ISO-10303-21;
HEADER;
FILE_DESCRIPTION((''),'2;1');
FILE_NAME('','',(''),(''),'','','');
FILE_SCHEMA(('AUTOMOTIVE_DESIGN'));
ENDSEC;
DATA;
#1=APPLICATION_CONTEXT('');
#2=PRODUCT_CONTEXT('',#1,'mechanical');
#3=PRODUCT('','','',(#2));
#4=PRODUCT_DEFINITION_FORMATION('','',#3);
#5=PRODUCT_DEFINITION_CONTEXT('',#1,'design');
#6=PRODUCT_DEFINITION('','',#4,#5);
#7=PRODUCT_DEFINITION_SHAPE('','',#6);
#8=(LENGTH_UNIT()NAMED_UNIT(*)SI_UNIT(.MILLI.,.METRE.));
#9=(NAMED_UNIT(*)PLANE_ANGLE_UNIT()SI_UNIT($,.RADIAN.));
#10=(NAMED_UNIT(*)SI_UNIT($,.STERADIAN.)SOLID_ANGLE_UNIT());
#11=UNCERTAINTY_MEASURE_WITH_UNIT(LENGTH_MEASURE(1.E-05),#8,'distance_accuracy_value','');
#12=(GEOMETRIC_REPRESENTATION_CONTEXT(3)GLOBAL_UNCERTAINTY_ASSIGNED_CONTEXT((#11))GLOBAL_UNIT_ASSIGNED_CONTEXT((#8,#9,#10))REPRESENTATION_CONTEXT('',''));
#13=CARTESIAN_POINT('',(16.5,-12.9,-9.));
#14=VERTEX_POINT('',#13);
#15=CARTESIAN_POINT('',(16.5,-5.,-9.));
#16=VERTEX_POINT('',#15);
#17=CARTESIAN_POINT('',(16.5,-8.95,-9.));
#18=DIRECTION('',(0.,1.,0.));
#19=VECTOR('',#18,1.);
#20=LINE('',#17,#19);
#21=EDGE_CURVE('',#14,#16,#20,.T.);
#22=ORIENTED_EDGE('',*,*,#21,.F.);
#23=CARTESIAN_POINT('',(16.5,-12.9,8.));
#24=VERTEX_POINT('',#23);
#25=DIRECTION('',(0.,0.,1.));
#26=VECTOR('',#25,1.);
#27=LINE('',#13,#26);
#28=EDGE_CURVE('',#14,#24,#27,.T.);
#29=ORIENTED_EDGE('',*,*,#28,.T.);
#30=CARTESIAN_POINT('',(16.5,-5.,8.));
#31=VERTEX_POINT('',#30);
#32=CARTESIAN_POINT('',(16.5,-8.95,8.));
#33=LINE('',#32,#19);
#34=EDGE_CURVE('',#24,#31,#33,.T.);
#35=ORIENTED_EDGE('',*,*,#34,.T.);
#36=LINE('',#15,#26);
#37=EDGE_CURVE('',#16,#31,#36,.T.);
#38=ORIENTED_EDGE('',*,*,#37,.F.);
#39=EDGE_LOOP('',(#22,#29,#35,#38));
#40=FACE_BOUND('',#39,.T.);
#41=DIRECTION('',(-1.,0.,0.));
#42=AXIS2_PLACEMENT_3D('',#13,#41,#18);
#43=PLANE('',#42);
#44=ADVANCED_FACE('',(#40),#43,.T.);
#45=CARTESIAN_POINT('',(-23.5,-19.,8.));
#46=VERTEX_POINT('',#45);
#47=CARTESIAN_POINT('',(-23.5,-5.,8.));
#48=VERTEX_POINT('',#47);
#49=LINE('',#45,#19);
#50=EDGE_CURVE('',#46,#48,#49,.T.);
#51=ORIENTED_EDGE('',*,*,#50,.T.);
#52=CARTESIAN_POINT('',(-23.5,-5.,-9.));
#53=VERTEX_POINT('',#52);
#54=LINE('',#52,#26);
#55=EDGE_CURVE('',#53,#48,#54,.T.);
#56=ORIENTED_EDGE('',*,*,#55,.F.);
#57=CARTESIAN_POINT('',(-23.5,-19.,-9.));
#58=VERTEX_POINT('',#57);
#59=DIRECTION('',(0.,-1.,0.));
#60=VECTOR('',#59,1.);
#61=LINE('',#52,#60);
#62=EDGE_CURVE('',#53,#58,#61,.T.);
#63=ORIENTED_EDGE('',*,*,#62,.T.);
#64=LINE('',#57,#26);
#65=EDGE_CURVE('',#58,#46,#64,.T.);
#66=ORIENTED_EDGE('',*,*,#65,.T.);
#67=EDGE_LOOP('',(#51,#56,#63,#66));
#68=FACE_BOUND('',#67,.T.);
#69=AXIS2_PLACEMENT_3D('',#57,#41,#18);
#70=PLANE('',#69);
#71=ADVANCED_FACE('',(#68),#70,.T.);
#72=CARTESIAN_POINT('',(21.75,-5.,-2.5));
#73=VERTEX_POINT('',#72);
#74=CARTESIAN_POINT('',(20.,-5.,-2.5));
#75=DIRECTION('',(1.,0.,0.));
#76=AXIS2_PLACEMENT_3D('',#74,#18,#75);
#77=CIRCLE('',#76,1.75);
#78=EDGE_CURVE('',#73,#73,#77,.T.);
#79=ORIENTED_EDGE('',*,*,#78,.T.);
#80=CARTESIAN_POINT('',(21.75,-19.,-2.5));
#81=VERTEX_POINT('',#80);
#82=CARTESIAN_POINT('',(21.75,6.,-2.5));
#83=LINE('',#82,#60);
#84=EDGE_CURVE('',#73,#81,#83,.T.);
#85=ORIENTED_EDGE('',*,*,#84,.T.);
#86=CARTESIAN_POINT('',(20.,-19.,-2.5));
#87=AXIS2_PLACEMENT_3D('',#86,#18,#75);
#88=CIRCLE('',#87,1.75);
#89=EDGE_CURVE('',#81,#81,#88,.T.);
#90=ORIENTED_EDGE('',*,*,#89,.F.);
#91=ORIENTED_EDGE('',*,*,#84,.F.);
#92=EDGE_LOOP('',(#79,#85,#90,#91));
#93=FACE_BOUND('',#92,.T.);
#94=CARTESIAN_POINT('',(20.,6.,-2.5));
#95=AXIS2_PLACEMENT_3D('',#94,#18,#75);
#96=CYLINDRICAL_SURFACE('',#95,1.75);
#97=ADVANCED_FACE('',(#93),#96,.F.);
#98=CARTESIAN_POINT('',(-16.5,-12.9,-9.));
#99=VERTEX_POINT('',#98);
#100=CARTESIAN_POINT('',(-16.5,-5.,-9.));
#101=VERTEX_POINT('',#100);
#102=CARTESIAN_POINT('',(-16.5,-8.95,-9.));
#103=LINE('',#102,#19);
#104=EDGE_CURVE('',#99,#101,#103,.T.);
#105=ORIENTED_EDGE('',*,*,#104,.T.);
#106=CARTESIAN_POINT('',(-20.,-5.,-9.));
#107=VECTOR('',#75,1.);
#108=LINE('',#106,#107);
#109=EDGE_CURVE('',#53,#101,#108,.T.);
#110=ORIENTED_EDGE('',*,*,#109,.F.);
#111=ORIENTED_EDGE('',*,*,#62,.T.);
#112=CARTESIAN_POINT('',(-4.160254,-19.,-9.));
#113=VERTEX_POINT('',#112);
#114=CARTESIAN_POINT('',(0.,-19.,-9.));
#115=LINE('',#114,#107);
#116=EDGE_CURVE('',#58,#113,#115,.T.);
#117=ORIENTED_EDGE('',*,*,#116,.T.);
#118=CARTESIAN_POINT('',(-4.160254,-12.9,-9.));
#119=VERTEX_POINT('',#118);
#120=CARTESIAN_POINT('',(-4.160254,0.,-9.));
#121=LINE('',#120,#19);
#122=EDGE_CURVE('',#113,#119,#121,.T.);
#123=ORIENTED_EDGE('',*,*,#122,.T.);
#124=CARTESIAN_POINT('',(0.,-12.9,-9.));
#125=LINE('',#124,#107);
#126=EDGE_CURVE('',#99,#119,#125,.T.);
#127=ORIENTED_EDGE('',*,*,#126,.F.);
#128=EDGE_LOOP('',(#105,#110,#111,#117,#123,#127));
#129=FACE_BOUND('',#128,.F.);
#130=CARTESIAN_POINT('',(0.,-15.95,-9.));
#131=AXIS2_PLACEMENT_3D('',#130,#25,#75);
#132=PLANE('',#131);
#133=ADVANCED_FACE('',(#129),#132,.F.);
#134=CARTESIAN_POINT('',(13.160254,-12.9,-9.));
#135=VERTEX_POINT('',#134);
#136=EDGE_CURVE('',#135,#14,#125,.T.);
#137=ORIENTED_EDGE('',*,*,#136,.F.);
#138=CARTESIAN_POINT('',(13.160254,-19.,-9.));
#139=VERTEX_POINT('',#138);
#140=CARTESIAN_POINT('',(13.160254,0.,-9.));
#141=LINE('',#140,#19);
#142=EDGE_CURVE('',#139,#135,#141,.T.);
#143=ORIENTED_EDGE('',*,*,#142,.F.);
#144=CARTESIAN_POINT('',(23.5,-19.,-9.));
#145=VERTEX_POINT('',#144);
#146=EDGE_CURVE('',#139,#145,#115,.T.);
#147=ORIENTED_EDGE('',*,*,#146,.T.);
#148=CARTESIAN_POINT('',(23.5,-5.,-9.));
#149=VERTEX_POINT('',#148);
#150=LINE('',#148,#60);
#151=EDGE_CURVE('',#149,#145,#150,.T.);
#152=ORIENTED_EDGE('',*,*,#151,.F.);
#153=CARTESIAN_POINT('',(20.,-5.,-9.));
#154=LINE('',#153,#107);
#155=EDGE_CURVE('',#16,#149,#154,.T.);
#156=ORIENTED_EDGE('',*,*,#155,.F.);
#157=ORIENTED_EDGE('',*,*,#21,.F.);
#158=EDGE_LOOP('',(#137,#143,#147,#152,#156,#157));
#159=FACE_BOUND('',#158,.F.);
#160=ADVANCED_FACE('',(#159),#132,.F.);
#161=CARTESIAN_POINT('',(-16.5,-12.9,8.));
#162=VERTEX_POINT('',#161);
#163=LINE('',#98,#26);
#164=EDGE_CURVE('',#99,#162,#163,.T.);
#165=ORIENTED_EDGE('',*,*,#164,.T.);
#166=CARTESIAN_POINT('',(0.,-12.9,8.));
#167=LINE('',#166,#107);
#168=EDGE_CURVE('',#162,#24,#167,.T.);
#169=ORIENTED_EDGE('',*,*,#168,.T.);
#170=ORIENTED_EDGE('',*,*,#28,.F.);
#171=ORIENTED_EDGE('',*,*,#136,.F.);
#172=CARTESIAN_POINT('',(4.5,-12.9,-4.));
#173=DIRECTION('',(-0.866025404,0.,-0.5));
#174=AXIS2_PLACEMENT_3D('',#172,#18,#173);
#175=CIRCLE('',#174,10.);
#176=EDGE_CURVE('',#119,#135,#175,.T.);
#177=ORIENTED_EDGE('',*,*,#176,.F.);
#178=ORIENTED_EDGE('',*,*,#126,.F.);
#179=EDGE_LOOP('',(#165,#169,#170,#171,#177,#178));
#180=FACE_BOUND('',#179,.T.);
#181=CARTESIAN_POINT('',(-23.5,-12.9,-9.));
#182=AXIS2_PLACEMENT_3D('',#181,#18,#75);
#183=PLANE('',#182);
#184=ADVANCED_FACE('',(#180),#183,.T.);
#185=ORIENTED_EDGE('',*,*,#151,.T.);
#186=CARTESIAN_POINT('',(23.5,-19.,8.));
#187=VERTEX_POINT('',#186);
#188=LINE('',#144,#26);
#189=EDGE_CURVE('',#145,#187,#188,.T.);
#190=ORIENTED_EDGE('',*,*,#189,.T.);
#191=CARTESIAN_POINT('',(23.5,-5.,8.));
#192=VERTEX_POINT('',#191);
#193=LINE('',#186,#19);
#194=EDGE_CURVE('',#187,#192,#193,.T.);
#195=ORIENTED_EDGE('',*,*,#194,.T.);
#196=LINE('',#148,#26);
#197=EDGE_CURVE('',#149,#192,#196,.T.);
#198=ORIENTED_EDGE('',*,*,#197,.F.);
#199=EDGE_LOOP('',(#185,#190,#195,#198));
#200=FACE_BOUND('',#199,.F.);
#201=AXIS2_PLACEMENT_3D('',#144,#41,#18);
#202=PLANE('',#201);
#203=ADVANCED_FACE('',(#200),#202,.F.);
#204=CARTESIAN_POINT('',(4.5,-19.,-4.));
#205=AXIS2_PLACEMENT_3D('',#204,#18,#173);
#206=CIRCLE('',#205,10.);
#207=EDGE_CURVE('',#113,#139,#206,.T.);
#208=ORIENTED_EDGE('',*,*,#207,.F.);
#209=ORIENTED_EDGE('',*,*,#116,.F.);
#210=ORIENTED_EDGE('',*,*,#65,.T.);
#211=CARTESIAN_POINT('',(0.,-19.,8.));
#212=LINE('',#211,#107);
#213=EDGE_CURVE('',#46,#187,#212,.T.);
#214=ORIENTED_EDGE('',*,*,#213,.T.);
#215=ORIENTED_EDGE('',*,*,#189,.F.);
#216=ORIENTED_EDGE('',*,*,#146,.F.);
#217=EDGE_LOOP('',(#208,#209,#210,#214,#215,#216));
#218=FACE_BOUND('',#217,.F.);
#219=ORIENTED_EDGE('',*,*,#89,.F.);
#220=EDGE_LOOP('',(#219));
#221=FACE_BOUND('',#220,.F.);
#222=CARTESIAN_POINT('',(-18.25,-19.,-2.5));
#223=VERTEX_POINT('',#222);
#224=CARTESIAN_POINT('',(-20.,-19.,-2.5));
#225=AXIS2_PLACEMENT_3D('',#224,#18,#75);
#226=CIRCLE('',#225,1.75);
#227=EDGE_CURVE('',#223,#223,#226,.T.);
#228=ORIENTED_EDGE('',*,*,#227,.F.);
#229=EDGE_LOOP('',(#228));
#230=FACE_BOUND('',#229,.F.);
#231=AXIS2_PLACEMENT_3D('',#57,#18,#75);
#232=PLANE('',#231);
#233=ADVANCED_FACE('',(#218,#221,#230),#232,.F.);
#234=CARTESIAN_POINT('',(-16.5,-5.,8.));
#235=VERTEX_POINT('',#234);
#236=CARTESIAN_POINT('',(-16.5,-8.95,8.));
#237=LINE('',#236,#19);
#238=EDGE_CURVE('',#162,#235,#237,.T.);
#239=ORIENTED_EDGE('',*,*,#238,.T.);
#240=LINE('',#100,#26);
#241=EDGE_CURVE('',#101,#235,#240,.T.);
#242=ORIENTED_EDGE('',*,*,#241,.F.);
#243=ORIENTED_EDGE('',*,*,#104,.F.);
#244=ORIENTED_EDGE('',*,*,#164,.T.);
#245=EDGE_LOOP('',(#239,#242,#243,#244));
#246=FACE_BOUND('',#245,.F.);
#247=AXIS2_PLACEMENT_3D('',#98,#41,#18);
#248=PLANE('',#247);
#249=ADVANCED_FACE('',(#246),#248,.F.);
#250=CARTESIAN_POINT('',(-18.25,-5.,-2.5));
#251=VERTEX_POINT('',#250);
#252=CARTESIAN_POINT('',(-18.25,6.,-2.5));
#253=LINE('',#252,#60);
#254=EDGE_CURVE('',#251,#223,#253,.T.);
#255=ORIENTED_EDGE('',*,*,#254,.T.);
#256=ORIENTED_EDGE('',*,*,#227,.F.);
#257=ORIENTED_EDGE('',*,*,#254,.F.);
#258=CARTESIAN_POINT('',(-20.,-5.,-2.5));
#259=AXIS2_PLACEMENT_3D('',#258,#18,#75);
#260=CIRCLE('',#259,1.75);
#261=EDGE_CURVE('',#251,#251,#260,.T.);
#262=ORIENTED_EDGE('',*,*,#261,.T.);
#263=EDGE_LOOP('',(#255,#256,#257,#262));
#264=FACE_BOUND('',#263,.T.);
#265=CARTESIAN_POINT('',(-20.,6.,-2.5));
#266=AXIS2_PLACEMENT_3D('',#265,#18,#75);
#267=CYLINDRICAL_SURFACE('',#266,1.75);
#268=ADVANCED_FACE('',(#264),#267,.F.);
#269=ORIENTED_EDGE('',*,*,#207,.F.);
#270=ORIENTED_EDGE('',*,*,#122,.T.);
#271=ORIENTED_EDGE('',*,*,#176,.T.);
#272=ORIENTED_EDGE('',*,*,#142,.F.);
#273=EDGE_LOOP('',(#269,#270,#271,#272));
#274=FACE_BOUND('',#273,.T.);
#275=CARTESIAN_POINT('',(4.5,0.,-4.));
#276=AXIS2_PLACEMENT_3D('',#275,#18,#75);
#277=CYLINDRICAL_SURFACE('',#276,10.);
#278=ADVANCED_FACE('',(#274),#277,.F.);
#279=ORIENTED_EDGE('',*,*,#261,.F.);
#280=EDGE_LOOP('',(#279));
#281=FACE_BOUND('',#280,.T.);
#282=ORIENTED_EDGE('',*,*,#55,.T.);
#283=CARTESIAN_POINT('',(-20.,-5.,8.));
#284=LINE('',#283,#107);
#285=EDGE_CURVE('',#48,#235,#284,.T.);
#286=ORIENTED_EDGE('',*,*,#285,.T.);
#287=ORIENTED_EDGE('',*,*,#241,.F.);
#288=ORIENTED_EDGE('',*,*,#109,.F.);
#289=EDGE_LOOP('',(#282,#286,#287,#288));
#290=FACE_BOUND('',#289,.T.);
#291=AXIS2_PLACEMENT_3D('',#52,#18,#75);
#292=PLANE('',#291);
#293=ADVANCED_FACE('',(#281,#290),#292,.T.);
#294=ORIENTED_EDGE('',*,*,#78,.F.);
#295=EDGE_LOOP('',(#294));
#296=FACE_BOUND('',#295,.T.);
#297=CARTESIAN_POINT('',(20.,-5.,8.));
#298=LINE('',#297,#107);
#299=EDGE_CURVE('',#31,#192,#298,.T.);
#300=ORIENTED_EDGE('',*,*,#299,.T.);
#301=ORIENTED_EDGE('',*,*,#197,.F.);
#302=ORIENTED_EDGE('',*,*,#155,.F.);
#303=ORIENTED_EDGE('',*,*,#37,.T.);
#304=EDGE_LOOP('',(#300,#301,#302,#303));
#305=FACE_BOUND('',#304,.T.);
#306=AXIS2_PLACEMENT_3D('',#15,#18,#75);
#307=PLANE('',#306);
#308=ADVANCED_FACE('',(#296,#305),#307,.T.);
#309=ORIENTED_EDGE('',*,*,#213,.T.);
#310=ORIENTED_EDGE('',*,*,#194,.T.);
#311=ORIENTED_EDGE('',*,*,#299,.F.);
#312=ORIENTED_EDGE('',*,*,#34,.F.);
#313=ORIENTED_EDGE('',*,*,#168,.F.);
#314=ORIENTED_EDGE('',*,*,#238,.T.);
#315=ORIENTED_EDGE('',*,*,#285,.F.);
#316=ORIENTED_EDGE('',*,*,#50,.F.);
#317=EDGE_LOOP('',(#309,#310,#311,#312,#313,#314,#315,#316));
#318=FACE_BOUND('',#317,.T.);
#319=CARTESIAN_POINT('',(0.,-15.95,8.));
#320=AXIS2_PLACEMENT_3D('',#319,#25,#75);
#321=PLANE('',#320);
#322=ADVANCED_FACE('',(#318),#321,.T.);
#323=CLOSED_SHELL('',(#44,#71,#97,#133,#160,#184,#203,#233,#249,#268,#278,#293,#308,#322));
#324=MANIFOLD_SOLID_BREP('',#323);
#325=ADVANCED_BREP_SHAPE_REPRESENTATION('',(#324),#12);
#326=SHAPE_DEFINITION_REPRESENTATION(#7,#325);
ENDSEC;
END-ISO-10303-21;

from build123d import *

# Parameters (mm, degrees)
CYLINDER025_R          = 1.75
CYLINDER025_DEPTH      = 44
CYLINDER025_ROLL_ANGLE = 90
CYLINDER034_R          = 1.75
CYLINDER034_DEPTH      = 44
CYLINDER034_ROLL_ANGLE = 90
CYLINDER035_R          = 1.75
CYLINDER035_DEPTH      = 44
CYLINDER035_ROLL_ANGLE = 90
CYLINDER036_R          = 10
CYLINDER036_DEPTH      = 34
CYLINDER036_ROLL_ANGLE = 90
CYLINDER024_R          = 1.75
CYLINDER024_DEPTH      = 44
CYLINDER024_ROLL_ANGLE = 90
BOX052_W               = 7
BOX052_H               = 7.9
BOX052_DEPTH           = 17
BOX050_W               = 47
BOX050_H               = 6.1
BOX050_DEPTH           = 17
BOX051_W               = 7
BOX051_H               = 7.9
BOX051_DEPTH           = 17


with BuildPart() as cylinder_for_hole_10_groovemount_r001:
    # Cylinder025 → Cylinder025 (new body)
    with BuildSketch(Plane.XY):
        Circle(CYLINDER025_R)
    extrude(amount=CYLINDER025_DEPTH)


with BuildPart() as cylinder_for_hole_10_groovemount_r001_1:
    # Cylinder025 roll: moved
    add(cylinder_for_hole_10_groovemount_r001.part.rotate(Axis((0, 0, 0), (1, 0, 0)), CYLINDER025_ROLL_ANGLE))


with BuildPart() as cylinder_for_hole_10_groovemount_r001_2:
    # Cylinder025 placement: moved
    add(cylinder_for_hole_10_groovemount_r001_1.part.moved(Location((20, 6, -2.5))))


with BuildPart() as cylinder_for_hole_3_motherboard002:
    # Cylinder034 → Cylinder034 (new body)
    with BuildSketch(Plane.XY):
        Circle(CYLINDER034_R)
    extrude(amount=CYLINDER034_DEPTH)


with BuildPart() as cylinder_for_hole_3_motherboard002_1:
    # Cylinder034 roll: moved
    add(cylinder_for_hole_3_motherboard002.part.rotate(Axis((0, 0, 0), (1, 0, 0)), CYLINDER034_ROLL_ANGLE))


with BuildPart() as cylinder_for_hole_3_motherboard002_2:
    # Cylinder034 placement: moved
    add(cylinder_for_hole_3_motherboard002_1.part.moved(Location((-20, 6, -13.5))))


with BuildPart() as cylinder_for_hole_4_motherboard002:
    # Cylinder035 → Cylinder035 (new body)
    with BuildSketch(Plane.XY):
        Circle(CYLINDER035_R)
    extrude(amount=CYLINDER035_DEPTH)


with BuildPart() as cylinder_for_hole_4_motherboard002_1:
    # Cylinder035 roll: moved
    add(cylinder_for_hole_4_motherboard002.part.rotate(Axis((0, 0, 0), (1, 0, 0)), CYLINDER035_ROLL_ANGLE))


with BuildPart() as cylinder_for_hole_4_motherboard002_2:
    # Cylinder035 placement: moved
    add(cylinder_for_hole_4_motherboard002_1.part.moved(Location((20, 6, -13.5))))


with BuildPart() as coldend_carriage_plate_hole:
    # Cylinder036 → Cylinder036 (new body)
    with BuildSketch(Plane.XY):
        Circle(CYLINDER036_R)
    extrude(amount=CYLINDER036_DEPTH)


with BuildPart() as coldend_carriage_plate_hole_1:
    # Cylinder036 roll: moved
    add(coldend_carriage_plate_hole.part.rotate(Axis((0, 0, 0), (1, 0, 0)), CYLINDER036_ROLL_ANGLE))


with BuildPart() as coldend_carriage_plate_hole_2:
    # Cylinder036 placement: moved
    add(coldend_carriage_plate_hole_1.part.moved(Location((4.5, 0, -4))))


with BuildPart() as coldend_carriage_holes:
    # Cylinder024 → Cylinder024 (new body)
    with BuildSketch(Plane.XY):
        Circle(CYLINDER024_R)
    extrude(amount=CYLINDER024_DEPTH)


with BuildPart() as coldend_carriage_holes_1:
    # Cylinder024 roll: moved
    add(coldend_carriage_holes.part.rotate(Axis((0, 0, 0), (1, 0, 0)), CYLINDER024_ROLL_ANGLE))


with BuildPart() as coldend_carriage_holes_2:
    # Cylinder024 placement: moved
    add(coldend_carriage_holes_1.part.moved(Location((-20, 6, -2.5))))

    # Fusion009: union cylinder for hole 10 - Groovemount R001, cylinder for hole 3 - Motherboard002, cylinder for hole 4 - Motherboard002, coldend carriage plate hole
    add(cylinder_for_hole_10_groovemount_r001_2.part)
    add(cylinder_for_hole_3_motherboard002_2.part)
    add(cylinder_for_hole_4_motherboard002_2.part)
    add(coldend_carriage_plate_hole_2.part)


with BuildPart() as coldend_cariage_structure_l:
    # Box052 → Box052 (new body)
    with BuildSketch(Plane(origin=(-23.5, -12.9, -9), x_dir=(1, 0, 0), z_dir=(0, 0, 1))):
        with Locations((3.5, 3.95)):
            Rectangle(BOX052_W, BOX052_H)
    extrude(amount=BOX052_DEPTH)


with BuildPart() as coldend_carriage_plate:
    # Box050 → Box050 (new body)
    with BuildSketch(Plane(origin=(-23.5, -19, -9), x_dir=(1, 0, 0), z_dir=(0, 0, 1))):
        with Locations((23.5, 3.05)):
            Rectangle(BOX050_W, BOX050_H)
    extrude(amount=BOX050_DEPTH)


with BuildPart() as coldend_attach_structure_with_holes:
    # Box051 → Box051 (new body)
    with BuildSketch(Plane(origin=(16.5, -12.9, -9), x_dir=(1, 0, 0), z_dir=(0, 0, 1))):
        with Locations((3.5, 3.95)):
            Rectangle(BOX051_W, BOX051_H)
    extrude(amount=BOX051_DEPTH)

    # Fusion010: union coldend cariage structure L, coldend carriage plate
    add(coldend_cariage_structure_l.part)
    add(coldend_carriage_plate.part)

    # Cut008: cut coldend carriage holes
    add(coldend_carriage_holes_2.part, mode=Mode.SUBTRACT)


solid = coldend_attach_structure_with_holes.part
